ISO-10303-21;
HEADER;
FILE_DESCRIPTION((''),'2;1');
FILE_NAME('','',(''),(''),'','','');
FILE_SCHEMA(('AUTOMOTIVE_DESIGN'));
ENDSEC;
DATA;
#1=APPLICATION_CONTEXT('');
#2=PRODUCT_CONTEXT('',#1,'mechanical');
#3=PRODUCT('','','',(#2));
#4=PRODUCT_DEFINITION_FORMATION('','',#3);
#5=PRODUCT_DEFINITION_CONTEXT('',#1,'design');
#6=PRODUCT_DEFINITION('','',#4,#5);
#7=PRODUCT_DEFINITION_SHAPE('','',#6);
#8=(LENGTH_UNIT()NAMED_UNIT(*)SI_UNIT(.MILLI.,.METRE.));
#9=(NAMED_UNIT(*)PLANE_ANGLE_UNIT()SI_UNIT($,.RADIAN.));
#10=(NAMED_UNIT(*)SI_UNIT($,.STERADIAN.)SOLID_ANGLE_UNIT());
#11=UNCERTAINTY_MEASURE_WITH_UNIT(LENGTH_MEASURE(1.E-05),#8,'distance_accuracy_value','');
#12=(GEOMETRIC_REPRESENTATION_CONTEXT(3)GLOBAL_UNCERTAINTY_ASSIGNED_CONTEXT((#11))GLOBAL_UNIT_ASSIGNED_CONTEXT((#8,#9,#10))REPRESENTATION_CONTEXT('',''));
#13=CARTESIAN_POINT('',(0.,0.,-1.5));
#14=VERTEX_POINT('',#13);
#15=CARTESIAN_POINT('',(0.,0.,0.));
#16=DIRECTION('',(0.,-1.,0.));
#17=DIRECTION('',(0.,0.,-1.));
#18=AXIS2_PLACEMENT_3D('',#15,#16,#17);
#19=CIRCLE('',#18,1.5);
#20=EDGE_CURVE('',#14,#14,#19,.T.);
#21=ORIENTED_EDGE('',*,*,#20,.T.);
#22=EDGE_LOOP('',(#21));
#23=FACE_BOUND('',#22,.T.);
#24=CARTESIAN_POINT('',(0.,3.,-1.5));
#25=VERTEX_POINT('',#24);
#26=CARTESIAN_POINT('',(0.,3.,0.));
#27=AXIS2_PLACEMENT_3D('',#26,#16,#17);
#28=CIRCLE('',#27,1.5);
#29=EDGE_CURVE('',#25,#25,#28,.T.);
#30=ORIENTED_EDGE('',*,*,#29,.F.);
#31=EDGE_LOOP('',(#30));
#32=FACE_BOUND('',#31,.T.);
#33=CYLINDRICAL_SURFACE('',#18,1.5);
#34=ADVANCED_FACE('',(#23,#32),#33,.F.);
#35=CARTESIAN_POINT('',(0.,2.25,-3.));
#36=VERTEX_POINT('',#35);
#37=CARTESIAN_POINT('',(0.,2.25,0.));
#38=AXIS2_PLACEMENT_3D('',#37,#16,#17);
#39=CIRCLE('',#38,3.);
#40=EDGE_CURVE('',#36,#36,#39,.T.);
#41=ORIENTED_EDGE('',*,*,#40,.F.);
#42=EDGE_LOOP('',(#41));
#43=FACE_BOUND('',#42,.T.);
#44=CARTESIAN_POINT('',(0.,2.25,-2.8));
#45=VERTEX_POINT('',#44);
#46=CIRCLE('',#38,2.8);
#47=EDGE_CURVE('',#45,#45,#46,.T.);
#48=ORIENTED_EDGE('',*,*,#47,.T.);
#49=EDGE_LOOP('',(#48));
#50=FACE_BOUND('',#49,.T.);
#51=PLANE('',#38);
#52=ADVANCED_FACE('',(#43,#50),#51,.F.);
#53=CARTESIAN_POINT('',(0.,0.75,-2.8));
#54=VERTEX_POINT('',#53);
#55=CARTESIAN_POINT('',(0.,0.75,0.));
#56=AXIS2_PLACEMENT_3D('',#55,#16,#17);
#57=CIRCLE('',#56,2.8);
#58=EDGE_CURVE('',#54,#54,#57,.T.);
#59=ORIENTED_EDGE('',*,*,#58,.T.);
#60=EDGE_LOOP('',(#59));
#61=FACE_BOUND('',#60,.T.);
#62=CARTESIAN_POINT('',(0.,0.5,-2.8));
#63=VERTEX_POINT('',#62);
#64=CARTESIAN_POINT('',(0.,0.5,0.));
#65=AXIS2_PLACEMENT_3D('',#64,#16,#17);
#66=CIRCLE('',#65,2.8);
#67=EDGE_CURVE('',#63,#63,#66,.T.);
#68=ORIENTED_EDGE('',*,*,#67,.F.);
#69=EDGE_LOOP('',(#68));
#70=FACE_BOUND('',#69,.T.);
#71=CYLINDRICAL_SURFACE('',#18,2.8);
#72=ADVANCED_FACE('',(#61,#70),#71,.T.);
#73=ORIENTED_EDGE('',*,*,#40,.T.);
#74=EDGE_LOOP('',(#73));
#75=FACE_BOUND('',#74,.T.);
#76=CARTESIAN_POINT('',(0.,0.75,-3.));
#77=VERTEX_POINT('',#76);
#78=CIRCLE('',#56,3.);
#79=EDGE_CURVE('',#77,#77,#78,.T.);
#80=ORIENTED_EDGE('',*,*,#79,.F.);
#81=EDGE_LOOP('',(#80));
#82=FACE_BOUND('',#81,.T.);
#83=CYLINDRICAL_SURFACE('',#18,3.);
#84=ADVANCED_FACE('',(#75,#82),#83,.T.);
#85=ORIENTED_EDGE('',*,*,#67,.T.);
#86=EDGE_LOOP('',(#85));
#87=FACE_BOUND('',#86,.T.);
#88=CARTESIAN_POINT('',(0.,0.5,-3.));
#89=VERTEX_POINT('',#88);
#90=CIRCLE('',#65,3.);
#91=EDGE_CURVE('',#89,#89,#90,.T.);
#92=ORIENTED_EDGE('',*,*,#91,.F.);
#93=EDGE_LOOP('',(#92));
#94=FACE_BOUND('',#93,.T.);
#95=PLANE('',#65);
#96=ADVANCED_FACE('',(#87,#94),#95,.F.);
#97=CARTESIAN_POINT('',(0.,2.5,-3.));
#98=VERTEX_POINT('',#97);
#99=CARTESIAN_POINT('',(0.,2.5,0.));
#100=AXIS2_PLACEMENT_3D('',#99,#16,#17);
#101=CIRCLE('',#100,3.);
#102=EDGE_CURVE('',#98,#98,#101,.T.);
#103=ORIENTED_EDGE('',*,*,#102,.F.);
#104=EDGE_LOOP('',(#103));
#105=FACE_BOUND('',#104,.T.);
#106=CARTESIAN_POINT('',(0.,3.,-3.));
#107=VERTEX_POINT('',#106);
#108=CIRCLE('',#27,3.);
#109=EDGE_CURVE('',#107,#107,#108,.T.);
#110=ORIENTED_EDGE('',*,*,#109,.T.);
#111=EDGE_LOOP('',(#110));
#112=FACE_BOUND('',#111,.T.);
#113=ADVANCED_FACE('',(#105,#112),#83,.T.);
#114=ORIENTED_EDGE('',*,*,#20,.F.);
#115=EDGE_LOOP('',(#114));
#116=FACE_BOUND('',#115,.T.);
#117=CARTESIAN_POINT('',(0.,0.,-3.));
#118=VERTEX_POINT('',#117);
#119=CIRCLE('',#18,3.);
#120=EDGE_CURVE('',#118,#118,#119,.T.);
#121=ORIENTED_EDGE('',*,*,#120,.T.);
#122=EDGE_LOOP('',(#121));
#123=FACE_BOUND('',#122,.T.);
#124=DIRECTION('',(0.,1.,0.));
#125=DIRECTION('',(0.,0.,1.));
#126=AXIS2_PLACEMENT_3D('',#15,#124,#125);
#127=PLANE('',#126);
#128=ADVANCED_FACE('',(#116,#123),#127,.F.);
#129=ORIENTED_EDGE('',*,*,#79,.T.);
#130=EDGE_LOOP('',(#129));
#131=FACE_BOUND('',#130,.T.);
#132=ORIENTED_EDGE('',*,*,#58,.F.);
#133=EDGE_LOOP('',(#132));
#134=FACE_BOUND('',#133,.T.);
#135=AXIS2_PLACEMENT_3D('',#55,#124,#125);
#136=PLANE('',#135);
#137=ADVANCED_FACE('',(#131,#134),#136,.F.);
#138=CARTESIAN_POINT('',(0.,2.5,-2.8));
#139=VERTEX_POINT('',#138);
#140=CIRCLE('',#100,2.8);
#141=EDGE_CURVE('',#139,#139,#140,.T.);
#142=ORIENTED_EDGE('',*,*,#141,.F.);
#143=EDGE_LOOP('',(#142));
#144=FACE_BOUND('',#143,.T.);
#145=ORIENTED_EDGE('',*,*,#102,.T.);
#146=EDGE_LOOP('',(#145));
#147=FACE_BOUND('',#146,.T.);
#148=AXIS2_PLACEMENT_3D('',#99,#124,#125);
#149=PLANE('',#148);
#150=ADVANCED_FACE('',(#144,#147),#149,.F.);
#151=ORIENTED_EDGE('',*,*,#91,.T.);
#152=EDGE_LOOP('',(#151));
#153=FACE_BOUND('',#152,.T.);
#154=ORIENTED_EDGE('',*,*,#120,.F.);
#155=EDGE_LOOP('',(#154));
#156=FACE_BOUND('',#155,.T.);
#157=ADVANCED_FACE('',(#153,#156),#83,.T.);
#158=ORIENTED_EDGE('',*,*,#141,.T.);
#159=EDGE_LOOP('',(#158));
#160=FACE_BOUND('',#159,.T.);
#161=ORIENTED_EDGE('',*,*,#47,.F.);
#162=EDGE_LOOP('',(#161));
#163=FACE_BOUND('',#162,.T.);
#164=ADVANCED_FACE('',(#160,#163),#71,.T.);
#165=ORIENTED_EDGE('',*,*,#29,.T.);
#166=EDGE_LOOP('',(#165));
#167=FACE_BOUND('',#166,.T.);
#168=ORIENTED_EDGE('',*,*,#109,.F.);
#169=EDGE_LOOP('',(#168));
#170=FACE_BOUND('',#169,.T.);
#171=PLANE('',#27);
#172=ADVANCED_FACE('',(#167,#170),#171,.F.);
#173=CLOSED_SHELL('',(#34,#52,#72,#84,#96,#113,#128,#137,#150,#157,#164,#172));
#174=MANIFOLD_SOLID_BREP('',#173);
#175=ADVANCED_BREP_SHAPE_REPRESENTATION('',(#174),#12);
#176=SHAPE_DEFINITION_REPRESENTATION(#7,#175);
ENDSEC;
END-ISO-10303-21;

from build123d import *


with BuildPart() as part:
    # 草图1 → 旋转1 (revolve)
    with BuildSketch(Plane.XY, mode=Mode.PRIVATE) as revolve_1_sk:
        Polygon((1.5, 3), (1.5, 1.5), (3, 1.5), (3, 2.25), (2.8, 2.25), (2.8, 2.5), (3, 2.5), (3, 3), align=None)
        Polygon((1.5, 1.5), (1.5, 0), (3, 0), (3, 0.5), (2.8, 0.5), (2.8, 0.75), (3, 0.75), (3, 1.5), align=None)
    revolve(revolve_1_sk.sketch.rotate(Axis((0, 0, 0), (0, 1, 0)), 90), axis=Axis((0, 0, 0), (0, 1, 0)))


solid = part.part
